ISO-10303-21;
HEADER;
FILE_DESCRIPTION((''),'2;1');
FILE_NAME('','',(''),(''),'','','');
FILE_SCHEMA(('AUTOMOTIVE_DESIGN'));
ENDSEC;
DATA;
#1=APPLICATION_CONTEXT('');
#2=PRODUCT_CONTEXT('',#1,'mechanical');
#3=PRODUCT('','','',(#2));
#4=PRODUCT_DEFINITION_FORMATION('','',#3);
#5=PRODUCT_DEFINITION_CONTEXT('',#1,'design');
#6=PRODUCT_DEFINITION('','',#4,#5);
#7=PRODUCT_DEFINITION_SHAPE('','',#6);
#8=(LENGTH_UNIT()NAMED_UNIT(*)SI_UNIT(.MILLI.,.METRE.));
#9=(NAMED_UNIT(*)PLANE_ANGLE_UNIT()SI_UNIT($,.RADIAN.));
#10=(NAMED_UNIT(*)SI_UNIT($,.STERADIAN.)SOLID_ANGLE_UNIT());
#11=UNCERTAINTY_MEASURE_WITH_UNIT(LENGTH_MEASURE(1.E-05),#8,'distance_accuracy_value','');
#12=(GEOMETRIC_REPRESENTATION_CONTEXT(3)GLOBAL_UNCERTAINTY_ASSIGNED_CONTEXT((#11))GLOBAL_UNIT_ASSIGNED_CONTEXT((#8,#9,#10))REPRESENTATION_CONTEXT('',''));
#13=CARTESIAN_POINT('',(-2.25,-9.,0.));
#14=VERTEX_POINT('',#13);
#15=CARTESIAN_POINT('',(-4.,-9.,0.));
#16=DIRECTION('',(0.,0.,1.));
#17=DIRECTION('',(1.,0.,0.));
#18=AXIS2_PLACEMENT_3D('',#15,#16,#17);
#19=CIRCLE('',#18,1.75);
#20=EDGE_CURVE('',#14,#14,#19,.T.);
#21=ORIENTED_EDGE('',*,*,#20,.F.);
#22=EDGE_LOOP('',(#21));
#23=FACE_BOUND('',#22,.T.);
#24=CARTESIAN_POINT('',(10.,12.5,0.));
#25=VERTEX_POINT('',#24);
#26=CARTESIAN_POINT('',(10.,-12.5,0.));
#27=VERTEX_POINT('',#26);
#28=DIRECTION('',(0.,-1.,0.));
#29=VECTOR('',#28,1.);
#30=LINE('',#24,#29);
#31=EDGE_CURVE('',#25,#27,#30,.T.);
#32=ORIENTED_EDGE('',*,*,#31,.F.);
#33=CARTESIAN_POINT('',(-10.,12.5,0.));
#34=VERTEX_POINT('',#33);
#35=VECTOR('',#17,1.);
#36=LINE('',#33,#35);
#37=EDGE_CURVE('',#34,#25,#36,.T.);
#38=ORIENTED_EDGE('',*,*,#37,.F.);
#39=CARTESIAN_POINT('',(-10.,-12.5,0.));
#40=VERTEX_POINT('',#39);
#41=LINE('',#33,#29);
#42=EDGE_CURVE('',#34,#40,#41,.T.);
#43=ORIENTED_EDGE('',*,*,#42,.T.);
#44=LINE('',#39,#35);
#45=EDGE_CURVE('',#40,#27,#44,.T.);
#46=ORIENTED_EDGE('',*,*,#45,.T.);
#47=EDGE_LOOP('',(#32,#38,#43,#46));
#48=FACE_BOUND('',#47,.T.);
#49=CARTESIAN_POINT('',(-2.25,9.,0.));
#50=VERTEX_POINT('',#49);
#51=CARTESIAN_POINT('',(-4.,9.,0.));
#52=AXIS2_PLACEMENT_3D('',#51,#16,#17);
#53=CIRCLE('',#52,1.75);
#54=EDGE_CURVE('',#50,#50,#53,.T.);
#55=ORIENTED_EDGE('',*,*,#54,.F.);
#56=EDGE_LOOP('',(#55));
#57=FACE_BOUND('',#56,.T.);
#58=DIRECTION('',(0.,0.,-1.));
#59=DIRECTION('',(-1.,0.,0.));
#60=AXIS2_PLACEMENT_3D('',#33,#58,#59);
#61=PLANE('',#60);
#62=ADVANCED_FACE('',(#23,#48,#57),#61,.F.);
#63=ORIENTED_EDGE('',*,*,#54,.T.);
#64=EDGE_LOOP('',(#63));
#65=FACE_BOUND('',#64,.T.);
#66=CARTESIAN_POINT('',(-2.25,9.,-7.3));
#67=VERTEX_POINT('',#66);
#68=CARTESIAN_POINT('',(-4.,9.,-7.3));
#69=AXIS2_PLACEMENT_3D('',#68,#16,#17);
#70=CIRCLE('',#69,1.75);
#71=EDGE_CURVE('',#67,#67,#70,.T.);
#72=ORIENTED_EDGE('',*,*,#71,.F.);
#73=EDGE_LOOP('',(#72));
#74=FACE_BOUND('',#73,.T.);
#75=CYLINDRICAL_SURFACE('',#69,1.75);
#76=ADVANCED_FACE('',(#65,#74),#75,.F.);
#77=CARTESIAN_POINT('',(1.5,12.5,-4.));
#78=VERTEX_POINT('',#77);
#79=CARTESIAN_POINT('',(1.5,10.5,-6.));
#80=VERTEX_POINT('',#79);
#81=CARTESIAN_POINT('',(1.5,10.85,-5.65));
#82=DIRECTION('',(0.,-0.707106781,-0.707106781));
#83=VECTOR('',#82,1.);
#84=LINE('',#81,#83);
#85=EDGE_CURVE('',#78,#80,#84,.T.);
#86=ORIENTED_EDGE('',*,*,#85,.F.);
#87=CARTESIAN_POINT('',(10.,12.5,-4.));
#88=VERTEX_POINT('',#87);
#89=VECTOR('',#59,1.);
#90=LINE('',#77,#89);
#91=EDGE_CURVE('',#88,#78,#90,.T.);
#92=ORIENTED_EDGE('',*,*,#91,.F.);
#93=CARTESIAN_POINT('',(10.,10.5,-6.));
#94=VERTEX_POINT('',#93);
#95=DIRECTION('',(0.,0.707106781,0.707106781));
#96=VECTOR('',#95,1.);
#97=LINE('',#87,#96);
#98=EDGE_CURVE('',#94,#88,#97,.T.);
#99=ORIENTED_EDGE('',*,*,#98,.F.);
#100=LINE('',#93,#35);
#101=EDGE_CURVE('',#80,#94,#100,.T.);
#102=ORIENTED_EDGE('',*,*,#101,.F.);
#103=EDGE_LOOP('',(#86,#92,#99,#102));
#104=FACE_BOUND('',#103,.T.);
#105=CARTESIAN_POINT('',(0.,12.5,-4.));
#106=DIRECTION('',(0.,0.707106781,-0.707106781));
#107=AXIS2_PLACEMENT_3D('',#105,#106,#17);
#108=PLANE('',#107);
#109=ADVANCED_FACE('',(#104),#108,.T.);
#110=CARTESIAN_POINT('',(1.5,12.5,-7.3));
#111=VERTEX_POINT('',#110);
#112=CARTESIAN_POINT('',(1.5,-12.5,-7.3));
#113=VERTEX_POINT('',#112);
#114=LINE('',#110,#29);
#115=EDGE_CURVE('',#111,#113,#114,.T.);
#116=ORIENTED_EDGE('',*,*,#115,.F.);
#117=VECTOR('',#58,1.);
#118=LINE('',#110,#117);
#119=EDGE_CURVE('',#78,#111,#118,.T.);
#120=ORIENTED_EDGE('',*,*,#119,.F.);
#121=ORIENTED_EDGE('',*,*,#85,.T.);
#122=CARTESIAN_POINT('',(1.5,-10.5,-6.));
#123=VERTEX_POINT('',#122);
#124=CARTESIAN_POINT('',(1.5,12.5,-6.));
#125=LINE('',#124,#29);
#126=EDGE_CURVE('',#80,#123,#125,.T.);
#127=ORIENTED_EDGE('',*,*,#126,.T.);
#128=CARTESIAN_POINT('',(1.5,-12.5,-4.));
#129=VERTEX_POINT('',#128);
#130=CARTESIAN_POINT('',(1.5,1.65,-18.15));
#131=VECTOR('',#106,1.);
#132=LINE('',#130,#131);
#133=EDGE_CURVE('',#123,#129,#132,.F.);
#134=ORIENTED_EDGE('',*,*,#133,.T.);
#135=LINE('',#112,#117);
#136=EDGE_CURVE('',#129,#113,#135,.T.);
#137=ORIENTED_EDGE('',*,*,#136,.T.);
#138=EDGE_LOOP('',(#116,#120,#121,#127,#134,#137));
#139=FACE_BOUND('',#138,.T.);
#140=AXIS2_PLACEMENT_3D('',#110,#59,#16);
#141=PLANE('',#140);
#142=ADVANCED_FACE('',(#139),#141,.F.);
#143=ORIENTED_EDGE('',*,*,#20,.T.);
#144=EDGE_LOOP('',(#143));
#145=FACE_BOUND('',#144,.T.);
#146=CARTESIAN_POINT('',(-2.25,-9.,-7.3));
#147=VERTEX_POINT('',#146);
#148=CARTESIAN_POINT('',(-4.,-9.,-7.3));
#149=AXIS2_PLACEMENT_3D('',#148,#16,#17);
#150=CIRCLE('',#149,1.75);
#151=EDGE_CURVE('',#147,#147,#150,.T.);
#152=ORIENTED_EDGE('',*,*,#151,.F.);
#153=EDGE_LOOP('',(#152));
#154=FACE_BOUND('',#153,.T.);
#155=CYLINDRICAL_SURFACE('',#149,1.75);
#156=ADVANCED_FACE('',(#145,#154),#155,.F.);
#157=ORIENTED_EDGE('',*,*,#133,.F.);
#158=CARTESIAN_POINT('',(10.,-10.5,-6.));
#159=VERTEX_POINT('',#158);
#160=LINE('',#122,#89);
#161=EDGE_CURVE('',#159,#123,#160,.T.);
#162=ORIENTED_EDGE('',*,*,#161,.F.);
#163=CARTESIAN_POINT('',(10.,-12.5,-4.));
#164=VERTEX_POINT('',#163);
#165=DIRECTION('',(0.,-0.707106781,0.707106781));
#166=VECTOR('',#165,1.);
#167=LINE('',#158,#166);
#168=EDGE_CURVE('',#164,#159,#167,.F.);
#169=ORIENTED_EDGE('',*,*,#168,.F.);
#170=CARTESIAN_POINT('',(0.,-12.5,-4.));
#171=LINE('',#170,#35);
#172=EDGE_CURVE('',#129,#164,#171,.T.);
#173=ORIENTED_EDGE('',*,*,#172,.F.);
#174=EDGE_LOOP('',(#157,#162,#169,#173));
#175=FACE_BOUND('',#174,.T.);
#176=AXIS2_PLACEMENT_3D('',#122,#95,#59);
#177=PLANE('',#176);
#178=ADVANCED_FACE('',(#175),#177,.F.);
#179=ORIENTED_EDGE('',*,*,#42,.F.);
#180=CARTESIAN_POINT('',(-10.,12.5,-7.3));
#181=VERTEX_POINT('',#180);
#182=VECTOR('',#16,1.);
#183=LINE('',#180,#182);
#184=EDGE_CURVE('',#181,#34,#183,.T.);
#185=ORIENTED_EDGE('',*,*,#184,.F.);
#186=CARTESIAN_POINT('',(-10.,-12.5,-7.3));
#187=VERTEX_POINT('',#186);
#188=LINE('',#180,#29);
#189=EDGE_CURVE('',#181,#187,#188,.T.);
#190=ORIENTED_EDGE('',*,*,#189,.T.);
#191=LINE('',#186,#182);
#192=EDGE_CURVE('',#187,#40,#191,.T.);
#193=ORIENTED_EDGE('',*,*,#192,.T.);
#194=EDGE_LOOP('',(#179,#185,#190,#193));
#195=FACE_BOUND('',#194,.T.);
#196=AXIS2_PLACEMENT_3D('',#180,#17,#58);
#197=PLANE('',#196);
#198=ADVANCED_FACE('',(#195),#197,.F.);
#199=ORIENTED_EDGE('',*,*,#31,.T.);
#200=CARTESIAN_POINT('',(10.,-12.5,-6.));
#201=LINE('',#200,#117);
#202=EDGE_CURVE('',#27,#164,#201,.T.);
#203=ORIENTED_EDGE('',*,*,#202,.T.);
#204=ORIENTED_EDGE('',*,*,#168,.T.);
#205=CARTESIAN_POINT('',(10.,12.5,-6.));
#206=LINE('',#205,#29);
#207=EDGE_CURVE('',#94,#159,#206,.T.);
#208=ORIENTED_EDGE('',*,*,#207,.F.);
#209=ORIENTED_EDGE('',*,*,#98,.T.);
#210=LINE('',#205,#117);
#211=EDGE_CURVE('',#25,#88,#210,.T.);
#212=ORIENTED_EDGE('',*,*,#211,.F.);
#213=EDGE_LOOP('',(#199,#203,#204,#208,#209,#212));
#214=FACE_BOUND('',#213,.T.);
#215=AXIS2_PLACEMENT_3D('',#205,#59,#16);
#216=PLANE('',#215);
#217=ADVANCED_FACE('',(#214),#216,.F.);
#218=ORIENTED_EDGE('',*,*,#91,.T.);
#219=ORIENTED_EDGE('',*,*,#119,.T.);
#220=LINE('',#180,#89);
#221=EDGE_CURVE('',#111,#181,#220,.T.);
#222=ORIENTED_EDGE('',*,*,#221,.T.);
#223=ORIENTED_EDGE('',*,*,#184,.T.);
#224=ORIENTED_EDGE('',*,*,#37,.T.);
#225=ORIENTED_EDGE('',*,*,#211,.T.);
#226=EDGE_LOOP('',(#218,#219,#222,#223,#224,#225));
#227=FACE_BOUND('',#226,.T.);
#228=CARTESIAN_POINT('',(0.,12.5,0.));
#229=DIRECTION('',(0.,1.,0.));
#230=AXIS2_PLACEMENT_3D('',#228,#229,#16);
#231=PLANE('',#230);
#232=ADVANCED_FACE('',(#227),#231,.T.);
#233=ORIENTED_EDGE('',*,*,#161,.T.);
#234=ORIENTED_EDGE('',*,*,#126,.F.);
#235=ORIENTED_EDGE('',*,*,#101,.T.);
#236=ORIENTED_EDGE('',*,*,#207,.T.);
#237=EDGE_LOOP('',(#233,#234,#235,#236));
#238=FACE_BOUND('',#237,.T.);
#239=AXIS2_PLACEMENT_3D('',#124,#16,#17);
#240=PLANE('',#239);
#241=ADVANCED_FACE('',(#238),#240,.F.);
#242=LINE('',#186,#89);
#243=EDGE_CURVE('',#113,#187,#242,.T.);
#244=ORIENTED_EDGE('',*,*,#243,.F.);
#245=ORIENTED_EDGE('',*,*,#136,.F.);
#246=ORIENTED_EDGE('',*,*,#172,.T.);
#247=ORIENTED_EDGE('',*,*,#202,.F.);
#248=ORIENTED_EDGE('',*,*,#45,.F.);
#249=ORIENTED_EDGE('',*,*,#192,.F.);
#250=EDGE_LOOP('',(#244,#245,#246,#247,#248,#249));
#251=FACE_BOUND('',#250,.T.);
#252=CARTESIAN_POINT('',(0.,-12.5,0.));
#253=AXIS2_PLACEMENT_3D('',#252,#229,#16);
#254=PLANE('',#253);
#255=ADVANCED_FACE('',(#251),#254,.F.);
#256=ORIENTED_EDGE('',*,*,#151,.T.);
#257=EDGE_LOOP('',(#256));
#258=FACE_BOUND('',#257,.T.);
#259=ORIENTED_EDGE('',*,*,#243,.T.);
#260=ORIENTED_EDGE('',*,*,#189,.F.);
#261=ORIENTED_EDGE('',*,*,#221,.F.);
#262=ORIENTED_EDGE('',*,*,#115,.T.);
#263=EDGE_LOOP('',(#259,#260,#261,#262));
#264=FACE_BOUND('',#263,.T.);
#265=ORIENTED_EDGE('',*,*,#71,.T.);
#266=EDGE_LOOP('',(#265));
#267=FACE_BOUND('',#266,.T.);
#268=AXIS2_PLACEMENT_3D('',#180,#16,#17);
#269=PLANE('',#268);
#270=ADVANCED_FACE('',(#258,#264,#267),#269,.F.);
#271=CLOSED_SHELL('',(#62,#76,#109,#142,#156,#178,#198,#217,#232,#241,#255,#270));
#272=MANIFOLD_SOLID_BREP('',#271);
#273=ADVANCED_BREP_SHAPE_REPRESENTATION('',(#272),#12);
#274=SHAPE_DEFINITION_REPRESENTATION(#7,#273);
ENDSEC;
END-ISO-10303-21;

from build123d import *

# Parameters (mm, degrees)
BOSS_EXTRUDE1_DEPTH = 12.5
SKETCH2_R           = 1.75
CUT_EXTRUDE1_DEPTH  = 18.59374889
CHAMFER1_SIZE       = 2


with BuildPart() as part:
    # Sketch1 → Boss-Extrude1 (new, symmetric)
    with BuildSketch(Plane(origin=(0, 0, 0), x_dir=(1, 0, 0), z_dir=(0, 1, 0))):
        Polygon((-10, 7.3), (1.5, 7.3), (1.5, 6), (10, 6), (10, 0), (-10, 0), align=None)
    extrude(amount=BOSS_EXTRUDE1_DEPTH, both=True)

    # Sketch2 → Cut-Extrude1 (cut, through all)
    with BuildSketch(Plane.XY):
        with Locations((-4, 9)):
            Circle(SKETCH2_R)
        with Locations((-4, -9)):
            Circle(SKETCH2_R)
    extrude(amount=-CUT_EXTRUDE1_DEPTH, mode=Mode.SUBTRACT)

    # Chamfer1
    chamfer1_edges = [part.edges().sort_by_distance(p)[0] for p in [
        (5.75, 12.5, -6),
        (5.75, -12.5, -6),
    ]]
    chamfer(chamfer1_edges, length=CHAMFER1_SIZE)


solid = part.part
